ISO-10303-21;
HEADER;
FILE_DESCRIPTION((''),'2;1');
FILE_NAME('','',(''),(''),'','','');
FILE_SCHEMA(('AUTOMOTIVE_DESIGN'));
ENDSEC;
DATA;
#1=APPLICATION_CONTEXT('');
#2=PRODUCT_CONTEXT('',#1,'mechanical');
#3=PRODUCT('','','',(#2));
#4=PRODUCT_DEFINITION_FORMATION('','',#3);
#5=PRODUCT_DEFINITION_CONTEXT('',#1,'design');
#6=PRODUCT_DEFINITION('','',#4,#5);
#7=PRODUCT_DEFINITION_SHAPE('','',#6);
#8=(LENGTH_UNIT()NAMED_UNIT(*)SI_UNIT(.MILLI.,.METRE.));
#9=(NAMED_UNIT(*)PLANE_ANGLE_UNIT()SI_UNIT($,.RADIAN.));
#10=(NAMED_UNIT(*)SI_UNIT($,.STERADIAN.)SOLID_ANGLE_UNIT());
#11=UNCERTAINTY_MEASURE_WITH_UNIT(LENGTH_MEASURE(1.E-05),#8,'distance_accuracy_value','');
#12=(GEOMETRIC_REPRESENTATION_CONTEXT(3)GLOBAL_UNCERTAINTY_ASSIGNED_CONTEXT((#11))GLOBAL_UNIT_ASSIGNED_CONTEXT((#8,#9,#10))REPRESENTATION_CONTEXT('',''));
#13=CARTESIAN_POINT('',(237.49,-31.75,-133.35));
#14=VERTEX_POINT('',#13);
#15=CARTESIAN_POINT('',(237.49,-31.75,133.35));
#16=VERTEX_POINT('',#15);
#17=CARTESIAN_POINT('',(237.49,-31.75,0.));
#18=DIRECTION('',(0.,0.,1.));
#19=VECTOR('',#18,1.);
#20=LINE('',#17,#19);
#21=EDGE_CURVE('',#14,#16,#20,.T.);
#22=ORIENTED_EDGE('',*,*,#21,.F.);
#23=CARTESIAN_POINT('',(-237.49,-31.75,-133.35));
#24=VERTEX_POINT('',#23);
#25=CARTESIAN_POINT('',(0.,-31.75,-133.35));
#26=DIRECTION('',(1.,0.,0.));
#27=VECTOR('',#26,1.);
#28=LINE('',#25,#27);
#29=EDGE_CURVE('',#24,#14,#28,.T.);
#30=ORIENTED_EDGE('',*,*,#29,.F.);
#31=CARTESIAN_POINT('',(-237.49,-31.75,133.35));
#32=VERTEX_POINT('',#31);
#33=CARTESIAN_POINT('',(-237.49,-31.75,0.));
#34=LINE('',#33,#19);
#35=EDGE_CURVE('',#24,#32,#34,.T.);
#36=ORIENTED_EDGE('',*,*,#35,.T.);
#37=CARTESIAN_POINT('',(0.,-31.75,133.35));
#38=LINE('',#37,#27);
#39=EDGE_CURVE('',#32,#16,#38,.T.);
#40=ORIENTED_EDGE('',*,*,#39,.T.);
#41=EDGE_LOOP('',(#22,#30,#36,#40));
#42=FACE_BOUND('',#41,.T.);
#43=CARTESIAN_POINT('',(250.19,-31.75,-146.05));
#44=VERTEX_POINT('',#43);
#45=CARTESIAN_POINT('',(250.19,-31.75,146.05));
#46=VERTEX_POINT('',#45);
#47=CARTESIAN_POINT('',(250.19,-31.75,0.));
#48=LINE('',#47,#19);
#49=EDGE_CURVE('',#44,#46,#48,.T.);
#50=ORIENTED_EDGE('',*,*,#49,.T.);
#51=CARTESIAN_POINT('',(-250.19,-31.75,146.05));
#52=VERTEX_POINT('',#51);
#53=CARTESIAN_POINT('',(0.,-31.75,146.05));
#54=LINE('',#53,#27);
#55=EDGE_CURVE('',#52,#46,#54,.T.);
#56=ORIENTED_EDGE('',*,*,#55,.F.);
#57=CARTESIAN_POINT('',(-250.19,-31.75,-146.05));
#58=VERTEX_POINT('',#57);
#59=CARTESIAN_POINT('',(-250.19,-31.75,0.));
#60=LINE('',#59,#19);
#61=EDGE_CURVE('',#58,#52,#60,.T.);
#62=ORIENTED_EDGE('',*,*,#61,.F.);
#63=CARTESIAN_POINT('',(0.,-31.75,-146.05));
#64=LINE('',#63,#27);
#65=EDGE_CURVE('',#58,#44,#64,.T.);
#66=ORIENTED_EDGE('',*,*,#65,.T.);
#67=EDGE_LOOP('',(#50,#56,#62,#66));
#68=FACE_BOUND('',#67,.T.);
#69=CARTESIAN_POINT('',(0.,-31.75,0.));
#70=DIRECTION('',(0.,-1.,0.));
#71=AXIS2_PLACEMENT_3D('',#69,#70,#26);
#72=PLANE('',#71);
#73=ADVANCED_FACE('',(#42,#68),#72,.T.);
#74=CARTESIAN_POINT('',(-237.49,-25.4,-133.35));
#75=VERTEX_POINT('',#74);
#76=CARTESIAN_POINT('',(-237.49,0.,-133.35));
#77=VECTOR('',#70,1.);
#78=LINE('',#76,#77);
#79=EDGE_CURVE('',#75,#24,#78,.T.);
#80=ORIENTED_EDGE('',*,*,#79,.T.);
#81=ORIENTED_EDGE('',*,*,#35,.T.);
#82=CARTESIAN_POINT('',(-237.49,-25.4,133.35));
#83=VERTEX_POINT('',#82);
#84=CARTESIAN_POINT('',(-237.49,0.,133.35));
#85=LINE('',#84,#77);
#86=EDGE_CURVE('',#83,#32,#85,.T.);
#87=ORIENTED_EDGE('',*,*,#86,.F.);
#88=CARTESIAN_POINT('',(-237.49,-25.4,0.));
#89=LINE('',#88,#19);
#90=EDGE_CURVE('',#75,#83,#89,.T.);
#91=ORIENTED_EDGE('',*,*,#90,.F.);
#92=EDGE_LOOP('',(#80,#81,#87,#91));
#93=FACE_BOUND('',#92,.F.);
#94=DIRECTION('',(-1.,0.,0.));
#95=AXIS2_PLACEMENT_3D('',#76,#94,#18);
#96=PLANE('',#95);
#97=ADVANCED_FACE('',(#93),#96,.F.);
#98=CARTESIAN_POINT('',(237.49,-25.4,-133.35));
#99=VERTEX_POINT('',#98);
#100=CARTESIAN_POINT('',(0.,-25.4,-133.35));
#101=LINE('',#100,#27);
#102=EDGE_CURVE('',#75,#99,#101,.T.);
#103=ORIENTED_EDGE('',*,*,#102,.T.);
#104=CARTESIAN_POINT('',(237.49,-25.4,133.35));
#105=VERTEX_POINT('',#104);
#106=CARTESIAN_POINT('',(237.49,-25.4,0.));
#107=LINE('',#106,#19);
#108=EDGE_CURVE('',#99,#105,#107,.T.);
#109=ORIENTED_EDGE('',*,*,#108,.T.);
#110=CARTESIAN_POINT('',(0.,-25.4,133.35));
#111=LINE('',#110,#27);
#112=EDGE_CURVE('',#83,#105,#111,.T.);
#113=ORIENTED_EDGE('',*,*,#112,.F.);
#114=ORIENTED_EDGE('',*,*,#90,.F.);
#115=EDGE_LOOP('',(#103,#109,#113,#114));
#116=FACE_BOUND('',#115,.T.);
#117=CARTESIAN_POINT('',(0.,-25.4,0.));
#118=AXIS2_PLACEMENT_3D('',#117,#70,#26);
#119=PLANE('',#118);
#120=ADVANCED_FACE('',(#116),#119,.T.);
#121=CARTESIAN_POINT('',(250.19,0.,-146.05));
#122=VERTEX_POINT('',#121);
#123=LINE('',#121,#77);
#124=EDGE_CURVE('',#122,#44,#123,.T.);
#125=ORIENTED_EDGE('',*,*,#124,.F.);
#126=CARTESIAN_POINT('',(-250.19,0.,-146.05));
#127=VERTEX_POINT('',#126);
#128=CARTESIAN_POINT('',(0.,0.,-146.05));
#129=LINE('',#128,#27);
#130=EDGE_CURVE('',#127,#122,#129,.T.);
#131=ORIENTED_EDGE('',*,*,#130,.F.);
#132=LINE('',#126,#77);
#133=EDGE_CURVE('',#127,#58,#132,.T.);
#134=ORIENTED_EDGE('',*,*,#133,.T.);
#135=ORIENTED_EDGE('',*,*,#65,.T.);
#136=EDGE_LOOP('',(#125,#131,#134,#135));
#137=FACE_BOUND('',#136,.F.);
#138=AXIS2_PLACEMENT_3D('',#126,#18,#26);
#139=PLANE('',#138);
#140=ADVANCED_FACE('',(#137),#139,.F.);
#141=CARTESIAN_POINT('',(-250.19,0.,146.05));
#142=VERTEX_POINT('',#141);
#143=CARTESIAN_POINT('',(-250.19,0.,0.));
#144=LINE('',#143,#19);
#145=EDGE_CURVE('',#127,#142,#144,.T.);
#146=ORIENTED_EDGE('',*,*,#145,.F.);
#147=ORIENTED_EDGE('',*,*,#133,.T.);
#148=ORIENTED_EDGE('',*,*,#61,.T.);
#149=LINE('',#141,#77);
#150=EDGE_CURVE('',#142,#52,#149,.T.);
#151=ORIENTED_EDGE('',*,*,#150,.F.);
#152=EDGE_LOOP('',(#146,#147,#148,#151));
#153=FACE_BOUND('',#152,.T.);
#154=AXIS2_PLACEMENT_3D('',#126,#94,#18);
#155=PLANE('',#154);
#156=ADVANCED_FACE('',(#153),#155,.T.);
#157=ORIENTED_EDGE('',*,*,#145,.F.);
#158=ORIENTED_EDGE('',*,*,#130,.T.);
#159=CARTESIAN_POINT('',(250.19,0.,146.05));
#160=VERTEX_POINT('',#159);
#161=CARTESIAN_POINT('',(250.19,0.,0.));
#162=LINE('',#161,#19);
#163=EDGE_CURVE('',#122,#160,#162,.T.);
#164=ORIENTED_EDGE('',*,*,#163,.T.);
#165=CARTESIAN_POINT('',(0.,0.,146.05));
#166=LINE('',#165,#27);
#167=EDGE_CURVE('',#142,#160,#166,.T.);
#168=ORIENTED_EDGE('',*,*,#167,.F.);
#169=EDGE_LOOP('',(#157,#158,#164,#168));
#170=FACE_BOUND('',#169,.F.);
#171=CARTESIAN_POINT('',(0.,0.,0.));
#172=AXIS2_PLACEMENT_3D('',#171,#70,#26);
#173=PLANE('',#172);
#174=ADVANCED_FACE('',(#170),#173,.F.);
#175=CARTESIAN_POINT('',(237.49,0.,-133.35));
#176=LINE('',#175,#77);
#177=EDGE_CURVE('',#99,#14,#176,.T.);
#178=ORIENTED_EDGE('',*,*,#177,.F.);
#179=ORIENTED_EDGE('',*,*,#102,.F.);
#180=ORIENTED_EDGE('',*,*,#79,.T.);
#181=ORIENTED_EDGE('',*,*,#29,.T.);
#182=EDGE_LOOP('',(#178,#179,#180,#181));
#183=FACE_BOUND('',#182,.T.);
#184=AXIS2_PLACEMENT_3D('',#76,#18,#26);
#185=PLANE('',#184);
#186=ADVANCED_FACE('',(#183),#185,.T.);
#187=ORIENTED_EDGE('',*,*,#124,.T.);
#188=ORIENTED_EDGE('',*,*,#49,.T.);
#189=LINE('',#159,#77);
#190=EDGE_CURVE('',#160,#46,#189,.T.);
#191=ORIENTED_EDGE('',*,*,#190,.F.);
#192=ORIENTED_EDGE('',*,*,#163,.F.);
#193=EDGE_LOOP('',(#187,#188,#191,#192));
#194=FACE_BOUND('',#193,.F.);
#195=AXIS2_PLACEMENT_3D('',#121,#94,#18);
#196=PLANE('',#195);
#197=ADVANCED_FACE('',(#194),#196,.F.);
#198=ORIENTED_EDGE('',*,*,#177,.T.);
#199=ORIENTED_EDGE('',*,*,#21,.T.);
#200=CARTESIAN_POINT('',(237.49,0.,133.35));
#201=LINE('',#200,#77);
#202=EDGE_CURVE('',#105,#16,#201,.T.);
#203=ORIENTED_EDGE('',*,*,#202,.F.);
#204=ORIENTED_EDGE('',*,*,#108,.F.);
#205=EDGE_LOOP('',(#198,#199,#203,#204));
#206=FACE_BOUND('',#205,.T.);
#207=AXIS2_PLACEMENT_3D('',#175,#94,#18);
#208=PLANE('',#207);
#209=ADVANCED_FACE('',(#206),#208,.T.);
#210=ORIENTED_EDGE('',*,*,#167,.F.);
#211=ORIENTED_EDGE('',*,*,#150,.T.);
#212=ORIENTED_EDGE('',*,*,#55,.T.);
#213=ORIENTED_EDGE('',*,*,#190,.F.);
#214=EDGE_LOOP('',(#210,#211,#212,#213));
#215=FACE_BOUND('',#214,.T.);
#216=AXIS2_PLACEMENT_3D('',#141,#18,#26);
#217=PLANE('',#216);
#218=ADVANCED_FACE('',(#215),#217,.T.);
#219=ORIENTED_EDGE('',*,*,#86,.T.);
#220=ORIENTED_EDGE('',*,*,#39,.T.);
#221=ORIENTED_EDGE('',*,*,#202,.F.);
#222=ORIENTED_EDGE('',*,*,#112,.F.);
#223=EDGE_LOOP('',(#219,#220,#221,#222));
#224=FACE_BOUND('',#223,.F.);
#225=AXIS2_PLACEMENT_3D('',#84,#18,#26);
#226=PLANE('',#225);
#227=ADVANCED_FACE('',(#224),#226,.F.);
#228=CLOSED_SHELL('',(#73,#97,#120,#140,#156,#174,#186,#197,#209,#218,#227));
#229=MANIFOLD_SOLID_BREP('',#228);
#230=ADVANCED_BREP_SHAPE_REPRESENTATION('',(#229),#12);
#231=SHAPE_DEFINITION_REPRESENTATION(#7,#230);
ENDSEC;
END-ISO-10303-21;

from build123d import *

# Parameters (mm, degrees)
F0_W     = 474.98
F0_H     = 266.7
F1_DEPTH = 25.4
F2_W     = 500.38
F2_H     = 292.1
F2_W_2   = 474.98
F2_H_2   = 266.7
F3_DEPTH = 31.75


with BuildPart() as f1:
    # F0 (on Front) → F1 (new body)
    with BuildSketch(Plane.XZ):
        Rectangle(F0_W, F0_H)
    extrude(amount=F1_DEPTH)

    # F2 (on Front) → F3 (join)
    with BuildSketch(Plane.XZ):
        Rectangle(F2_W, F2_H)
        Rectangle(F2_W_2, F2_H_2, mode=Mode.SUBTRACT)
    extrude(amount=F3_DEPTH)


solid = f1.part
